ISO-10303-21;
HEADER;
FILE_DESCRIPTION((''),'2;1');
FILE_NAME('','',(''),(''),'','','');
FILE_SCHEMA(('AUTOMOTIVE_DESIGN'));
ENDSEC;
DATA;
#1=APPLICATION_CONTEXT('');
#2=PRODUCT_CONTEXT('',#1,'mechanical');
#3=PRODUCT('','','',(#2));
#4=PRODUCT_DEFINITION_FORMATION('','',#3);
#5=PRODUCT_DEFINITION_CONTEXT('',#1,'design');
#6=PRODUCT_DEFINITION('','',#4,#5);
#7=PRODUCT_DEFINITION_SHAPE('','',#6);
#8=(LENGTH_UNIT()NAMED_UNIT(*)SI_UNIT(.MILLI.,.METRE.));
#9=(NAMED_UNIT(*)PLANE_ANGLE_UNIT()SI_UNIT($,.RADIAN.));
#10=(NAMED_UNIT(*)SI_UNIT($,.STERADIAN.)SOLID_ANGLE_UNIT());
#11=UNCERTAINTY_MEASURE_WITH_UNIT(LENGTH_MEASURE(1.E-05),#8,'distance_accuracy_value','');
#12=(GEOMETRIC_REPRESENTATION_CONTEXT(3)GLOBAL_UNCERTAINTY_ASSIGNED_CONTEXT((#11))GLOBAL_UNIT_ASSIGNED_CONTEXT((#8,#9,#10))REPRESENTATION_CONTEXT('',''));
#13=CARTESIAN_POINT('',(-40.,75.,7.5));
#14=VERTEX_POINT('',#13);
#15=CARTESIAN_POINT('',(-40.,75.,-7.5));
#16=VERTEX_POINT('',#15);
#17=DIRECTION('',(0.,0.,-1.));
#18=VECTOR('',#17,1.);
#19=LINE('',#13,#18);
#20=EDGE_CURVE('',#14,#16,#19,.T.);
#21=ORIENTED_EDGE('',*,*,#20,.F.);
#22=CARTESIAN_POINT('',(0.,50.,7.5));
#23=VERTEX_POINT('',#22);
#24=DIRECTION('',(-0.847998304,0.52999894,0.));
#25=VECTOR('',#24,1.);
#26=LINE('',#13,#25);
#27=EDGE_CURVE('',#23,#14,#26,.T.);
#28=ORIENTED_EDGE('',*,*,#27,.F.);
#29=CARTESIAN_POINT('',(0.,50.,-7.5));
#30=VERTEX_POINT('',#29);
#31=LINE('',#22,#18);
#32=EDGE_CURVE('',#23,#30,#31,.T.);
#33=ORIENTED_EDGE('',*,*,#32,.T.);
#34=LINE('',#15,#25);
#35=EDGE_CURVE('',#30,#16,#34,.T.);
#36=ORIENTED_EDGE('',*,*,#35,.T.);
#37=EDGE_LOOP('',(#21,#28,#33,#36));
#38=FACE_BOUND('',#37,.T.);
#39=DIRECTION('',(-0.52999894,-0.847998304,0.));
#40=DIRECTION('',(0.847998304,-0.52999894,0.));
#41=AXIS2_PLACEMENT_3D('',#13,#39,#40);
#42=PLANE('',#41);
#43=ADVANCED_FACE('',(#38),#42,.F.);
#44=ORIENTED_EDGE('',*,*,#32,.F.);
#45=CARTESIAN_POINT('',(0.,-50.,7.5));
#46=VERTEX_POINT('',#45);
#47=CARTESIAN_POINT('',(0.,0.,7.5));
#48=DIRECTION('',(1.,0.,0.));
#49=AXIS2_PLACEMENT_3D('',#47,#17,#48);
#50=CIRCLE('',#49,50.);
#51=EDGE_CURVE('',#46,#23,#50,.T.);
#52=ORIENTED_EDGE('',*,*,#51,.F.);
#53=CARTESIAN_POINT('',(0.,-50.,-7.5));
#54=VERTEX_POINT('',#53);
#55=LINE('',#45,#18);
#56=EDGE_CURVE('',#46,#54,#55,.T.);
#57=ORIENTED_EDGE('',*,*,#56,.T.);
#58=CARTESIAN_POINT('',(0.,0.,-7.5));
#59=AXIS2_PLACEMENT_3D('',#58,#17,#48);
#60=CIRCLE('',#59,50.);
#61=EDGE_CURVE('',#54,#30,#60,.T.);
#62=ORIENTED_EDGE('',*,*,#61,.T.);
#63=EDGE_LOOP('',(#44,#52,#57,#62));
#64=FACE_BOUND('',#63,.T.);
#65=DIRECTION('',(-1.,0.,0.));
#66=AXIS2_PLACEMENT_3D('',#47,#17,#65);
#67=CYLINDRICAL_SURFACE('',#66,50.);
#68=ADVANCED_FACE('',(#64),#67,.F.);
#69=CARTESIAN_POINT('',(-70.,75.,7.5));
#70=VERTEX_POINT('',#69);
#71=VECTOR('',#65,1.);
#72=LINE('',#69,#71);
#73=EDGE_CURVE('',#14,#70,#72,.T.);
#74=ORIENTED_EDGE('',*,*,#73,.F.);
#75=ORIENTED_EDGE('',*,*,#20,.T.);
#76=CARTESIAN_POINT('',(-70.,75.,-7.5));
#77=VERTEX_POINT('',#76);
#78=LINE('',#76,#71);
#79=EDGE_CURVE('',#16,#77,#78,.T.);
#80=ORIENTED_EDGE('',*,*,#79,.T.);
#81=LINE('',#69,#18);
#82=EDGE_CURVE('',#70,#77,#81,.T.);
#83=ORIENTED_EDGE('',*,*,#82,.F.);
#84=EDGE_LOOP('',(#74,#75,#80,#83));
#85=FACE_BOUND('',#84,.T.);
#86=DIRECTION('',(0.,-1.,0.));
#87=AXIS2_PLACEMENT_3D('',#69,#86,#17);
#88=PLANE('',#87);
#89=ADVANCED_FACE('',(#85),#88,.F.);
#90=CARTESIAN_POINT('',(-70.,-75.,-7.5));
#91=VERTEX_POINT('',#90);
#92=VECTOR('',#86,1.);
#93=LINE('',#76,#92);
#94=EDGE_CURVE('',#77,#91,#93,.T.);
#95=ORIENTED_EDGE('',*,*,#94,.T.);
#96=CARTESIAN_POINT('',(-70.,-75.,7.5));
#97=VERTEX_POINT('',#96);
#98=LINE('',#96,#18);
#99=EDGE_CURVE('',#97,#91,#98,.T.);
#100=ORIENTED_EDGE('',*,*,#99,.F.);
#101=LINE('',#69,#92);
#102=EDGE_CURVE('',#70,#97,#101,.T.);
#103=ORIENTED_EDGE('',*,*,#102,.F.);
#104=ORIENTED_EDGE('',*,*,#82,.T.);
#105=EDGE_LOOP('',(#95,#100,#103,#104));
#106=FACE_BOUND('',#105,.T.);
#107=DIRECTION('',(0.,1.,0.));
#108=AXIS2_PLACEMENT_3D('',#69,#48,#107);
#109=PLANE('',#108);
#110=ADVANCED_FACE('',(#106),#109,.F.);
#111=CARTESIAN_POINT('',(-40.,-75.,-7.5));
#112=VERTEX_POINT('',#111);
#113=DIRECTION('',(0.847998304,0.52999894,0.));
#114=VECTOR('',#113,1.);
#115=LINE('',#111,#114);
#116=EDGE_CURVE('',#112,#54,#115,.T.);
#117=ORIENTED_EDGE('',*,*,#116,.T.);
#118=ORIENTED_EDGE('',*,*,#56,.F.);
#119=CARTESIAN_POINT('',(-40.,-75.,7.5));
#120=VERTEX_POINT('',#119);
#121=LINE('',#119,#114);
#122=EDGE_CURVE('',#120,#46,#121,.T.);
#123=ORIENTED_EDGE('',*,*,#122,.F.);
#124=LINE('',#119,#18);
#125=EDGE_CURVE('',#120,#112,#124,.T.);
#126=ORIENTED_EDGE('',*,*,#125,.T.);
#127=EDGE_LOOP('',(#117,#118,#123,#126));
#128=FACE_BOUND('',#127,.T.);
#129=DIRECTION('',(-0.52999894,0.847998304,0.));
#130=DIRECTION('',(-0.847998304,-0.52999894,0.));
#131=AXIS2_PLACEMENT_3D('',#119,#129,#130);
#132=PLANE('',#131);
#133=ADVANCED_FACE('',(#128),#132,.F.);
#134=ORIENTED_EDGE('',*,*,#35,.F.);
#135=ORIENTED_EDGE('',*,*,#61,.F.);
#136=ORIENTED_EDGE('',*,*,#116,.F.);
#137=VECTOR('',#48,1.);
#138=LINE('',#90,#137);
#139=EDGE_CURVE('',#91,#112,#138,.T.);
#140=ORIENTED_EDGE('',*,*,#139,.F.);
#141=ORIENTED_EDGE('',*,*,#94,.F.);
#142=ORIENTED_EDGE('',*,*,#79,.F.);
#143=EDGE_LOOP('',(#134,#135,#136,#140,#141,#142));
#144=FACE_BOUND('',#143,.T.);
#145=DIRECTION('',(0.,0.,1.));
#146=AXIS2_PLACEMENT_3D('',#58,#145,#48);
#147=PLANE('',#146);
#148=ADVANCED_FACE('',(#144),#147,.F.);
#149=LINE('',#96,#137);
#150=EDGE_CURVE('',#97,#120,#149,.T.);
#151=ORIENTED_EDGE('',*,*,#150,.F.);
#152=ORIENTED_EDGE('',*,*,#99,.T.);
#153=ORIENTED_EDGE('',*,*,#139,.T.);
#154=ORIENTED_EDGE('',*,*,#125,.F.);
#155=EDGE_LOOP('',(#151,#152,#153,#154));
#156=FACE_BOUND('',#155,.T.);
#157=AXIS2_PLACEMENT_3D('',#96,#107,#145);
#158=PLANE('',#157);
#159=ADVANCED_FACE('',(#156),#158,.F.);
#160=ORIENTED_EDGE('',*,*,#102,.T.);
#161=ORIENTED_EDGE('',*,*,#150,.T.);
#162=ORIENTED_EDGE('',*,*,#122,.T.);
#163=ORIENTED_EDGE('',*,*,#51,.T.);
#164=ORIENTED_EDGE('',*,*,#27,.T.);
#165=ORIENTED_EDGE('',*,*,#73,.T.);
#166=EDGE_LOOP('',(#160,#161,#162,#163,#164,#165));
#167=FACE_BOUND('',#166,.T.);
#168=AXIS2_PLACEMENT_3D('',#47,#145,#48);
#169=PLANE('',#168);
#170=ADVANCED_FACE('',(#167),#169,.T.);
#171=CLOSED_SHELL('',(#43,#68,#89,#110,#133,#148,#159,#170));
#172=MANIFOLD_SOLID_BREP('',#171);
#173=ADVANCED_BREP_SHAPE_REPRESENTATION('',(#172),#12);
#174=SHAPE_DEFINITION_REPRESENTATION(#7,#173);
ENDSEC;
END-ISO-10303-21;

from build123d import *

# Parameters (mm, degrees)
BOSS_EXTRUDE1_DEPTH = 7.5


with BuildPart() as part:
    # Sketch1 → Boss-Extrude1 (new body, symmetric)
    with BuildSketch(Plane.XY):
        with BuildLine():
            Line((-70, 75), (-40, 75))
            Line((-40, 75), (0, 50))
            ThreePointArc((0, 50), (-50, 0), (0, -50))
            Line((0, -50), (-40, -75))
            Line((-40, -75), (-70, -75))
            Line((-70, -75), (-70, 75))
        make_face()
    extrude(amount=BOSS_EXTRUDE1_DEPTH, both=True)


solid = part.part
